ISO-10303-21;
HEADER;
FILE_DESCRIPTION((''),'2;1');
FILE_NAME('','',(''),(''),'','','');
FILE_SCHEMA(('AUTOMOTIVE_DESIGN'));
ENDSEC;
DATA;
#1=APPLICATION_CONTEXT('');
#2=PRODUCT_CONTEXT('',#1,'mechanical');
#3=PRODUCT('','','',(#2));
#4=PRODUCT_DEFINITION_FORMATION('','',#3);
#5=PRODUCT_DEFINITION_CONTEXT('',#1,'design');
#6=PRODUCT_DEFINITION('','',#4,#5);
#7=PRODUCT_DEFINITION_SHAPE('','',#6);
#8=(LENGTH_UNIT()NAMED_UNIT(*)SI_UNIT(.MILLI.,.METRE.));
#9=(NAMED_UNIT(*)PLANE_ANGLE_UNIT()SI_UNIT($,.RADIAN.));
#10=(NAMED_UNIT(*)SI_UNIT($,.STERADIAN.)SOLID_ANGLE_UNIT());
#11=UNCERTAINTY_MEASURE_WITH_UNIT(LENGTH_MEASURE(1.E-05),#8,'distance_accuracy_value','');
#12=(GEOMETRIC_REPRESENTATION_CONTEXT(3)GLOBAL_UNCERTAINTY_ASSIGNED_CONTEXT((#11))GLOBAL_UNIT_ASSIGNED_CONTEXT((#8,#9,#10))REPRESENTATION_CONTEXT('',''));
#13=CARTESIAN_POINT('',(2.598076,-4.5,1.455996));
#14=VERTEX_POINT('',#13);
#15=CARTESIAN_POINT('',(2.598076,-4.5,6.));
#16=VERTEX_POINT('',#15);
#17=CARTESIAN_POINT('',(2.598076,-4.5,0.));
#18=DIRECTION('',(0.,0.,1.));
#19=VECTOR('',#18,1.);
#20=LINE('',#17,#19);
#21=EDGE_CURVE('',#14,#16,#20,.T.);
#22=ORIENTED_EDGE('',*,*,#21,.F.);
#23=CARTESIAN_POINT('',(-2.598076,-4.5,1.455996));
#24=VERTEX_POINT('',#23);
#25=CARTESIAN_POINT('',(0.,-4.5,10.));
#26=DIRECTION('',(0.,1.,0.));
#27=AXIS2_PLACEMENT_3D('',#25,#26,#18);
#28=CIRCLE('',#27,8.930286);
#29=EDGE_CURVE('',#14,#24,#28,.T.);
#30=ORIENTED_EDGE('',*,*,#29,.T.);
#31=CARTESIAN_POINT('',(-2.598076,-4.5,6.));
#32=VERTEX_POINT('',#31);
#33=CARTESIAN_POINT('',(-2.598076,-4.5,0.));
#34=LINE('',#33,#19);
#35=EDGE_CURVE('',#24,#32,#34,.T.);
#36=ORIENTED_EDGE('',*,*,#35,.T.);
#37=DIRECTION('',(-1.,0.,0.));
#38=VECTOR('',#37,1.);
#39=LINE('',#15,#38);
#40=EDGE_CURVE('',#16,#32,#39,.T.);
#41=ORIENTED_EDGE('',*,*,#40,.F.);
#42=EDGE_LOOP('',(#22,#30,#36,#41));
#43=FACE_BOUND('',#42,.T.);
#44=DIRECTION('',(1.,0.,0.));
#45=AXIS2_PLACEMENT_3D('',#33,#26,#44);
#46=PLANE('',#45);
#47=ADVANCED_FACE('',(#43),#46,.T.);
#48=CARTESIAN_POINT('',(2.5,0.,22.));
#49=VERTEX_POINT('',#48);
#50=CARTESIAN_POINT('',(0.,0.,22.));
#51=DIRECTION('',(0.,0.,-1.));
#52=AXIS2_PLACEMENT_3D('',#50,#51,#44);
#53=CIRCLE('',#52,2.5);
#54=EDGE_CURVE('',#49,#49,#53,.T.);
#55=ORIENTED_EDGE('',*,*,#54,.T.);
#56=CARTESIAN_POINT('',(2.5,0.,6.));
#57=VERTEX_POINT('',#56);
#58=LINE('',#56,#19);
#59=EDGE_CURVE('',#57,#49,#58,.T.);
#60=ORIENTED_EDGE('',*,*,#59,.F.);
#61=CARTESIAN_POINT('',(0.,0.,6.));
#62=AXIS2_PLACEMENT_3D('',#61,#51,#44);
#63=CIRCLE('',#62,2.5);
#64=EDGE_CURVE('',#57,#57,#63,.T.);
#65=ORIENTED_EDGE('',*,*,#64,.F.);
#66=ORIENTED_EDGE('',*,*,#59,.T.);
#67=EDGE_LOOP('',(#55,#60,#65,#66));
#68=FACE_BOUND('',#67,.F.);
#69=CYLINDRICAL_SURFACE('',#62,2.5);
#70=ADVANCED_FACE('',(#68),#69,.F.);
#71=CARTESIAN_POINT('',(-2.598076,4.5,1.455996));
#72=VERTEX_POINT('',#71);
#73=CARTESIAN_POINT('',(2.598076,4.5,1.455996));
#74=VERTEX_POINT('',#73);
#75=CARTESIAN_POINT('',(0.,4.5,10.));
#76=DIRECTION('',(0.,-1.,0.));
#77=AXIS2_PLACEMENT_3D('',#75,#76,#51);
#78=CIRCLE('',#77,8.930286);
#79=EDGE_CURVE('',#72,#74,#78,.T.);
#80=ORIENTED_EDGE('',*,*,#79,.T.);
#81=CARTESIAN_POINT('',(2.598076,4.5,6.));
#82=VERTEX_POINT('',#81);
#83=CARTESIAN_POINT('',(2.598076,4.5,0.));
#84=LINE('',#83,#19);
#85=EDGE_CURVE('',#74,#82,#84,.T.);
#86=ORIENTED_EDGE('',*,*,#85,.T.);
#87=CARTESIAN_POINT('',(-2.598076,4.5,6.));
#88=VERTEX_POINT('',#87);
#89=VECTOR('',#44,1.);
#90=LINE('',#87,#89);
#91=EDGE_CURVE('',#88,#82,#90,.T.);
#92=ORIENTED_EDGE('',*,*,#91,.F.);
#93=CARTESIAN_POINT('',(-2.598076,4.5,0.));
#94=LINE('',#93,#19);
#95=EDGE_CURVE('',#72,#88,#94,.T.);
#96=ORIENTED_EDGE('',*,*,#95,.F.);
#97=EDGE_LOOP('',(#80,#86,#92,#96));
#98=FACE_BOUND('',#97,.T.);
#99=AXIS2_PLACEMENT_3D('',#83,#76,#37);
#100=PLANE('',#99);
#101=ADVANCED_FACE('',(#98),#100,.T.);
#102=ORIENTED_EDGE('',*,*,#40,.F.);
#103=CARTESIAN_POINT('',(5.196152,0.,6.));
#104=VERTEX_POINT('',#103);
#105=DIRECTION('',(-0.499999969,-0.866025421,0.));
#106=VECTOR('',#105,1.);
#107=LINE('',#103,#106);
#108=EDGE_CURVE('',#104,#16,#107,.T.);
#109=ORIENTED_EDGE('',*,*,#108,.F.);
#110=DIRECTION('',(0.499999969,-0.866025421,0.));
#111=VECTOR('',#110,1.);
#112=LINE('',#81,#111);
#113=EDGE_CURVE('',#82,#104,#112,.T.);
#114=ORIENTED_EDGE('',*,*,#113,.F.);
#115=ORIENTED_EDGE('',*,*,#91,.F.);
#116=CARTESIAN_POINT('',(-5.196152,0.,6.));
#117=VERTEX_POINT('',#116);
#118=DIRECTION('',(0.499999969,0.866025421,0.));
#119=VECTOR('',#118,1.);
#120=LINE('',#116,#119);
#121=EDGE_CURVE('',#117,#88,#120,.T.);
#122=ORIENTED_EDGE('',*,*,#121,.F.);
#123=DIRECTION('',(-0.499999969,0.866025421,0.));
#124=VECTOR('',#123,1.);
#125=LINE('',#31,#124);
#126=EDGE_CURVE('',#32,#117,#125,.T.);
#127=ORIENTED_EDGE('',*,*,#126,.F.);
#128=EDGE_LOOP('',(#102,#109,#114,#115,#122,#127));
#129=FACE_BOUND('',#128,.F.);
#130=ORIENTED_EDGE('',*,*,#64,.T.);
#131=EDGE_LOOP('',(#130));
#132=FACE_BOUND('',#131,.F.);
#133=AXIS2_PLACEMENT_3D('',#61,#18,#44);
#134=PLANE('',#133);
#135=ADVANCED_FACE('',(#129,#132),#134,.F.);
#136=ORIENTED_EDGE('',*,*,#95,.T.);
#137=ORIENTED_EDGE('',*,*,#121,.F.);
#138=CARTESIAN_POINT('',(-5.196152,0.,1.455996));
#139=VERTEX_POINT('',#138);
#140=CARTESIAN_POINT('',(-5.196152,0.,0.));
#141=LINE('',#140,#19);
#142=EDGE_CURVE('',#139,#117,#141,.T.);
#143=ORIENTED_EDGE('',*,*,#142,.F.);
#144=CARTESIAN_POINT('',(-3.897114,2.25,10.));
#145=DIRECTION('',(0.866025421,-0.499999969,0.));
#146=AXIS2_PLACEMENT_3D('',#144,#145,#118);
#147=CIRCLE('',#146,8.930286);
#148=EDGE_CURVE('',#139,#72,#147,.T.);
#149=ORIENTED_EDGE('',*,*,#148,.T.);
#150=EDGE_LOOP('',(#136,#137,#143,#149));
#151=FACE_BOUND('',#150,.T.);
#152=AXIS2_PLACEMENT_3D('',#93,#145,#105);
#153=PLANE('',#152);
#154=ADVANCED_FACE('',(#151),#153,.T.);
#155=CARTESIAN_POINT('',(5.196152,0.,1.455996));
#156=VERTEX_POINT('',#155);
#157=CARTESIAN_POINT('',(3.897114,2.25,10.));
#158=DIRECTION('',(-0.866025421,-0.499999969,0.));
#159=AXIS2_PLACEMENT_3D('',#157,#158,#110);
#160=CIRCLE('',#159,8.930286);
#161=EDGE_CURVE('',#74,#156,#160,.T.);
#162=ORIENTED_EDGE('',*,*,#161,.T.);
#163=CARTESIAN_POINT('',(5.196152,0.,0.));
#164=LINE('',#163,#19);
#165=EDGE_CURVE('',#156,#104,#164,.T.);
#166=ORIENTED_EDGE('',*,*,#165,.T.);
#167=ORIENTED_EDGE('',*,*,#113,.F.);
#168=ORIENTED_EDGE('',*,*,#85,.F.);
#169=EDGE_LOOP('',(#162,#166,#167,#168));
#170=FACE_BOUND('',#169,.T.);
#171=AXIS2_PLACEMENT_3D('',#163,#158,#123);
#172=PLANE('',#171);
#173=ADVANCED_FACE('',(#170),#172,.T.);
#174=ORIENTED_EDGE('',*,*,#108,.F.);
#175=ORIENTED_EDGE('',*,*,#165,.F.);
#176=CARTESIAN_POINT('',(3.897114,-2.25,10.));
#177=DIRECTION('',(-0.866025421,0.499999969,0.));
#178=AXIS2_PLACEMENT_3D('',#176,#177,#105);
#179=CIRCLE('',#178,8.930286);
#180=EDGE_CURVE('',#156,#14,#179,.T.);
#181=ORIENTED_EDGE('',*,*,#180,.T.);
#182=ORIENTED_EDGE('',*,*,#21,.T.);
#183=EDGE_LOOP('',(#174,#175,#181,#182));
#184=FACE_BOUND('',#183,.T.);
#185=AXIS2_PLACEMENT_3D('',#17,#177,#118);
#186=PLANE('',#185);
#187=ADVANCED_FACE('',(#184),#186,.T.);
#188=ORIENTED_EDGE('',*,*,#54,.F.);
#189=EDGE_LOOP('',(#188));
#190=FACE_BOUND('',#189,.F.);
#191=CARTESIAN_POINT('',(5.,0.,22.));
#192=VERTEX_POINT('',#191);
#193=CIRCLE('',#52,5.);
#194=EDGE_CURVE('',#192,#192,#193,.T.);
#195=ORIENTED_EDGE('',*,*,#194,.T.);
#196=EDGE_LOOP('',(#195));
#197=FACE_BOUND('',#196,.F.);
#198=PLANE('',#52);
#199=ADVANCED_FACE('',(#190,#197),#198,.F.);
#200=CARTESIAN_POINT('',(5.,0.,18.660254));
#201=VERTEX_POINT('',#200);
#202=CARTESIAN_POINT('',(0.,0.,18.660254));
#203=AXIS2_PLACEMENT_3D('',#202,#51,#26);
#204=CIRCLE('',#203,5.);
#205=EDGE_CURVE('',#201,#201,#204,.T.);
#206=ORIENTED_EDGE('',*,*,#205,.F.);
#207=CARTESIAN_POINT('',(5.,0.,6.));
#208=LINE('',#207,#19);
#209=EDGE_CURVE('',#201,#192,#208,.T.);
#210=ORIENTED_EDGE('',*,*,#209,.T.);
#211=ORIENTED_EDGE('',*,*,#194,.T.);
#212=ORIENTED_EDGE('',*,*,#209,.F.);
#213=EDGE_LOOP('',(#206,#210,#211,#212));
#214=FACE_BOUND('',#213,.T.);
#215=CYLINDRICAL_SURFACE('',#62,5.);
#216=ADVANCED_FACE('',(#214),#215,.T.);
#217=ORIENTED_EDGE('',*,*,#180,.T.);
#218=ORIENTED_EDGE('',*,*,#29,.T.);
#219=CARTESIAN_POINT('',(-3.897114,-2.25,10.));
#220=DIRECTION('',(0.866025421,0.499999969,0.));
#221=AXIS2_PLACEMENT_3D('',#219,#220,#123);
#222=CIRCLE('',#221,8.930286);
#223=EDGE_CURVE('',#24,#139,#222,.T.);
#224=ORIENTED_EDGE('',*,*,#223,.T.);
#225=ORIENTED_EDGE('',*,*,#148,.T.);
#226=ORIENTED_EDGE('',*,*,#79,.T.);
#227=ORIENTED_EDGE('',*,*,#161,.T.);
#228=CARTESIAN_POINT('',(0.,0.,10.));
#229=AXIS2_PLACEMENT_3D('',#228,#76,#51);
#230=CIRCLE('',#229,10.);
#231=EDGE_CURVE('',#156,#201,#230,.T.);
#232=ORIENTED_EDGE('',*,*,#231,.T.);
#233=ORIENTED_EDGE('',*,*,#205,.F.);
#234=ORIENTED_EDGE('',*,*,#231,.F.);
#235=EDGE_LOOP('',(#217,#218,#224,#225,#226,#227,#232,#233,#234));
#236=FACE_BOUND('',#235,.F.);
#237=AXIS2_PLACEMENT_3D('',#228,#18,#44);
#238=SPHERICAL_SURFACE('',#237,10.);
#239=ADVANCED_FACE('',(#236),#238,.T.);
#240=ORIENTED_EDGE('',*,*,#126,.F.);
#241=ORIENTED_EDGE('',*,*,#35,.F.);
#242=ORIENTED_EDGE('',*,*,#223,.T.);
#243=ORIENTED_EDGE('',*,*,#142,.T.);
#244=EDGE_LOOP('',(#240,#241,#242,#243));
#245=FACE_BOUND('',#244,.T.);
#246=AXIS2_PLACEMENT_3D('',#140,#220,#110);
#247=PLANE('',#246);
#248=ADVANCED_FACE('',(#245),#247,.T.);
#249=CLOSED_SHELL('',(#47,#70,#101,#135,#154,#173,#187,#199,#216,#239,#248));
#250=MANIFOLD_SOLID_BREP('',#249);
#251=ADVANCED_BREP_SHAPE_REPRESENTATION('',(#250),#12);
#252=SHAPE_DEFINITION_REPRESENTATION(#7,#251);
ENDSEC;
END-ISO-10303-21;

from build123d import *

# Parameters (mm, degrees)
F3_DEPTH = 6
F4_R     = 5
F5_DEPTH = 16
F6_R     = 2.5
F7_DEPTH = 25


with BuildPart() as f1:
    # F0 (on Front) → F1 (revolve)
    with BuildSketch(Plane.XZ):
        with BuildLine():
            ThreePointArc((0, 0), (10, 10), (0, 20))
            Line((0, 20), (0, 0))
        make_face()
    revolve(axis=Axis((0, 0, 10), (0, 0, -1)))

    # F2 (on Top) → F3 (cut)
    with BuildSketch(Plane.XY):
        Polygon((-2.598076, -4.5), (2.598076, -4.5), (5.196152, 0), (2.598076, 4.5), (-2.598076, 4.5), (-5.196152, 0), align=None)
    extrude(amount=F3_DEPTH, mode=Mode.SUBTRACT)

    # F4 (on face) → F5 (join)
    with BuildSketch(Plane(origin=(0, 0, 6), x_dir=(1, 0, 0), z_dir=(0, 0, -1))):
        Circle(F4_R)
    extrude(amount=-F5_DEPTH)

    # F6 (on face) → F7 (cut)
    with BuildSketch(Plane(origin=(0, 0, 6), x_dir=(1, 0, 0), z_dir=(0, 0, -1))):
        Circle(F6_R)
    extrude(amount=-F7_DEPTH, mode=Mode.SUBTRACT)


solid = f1.part
